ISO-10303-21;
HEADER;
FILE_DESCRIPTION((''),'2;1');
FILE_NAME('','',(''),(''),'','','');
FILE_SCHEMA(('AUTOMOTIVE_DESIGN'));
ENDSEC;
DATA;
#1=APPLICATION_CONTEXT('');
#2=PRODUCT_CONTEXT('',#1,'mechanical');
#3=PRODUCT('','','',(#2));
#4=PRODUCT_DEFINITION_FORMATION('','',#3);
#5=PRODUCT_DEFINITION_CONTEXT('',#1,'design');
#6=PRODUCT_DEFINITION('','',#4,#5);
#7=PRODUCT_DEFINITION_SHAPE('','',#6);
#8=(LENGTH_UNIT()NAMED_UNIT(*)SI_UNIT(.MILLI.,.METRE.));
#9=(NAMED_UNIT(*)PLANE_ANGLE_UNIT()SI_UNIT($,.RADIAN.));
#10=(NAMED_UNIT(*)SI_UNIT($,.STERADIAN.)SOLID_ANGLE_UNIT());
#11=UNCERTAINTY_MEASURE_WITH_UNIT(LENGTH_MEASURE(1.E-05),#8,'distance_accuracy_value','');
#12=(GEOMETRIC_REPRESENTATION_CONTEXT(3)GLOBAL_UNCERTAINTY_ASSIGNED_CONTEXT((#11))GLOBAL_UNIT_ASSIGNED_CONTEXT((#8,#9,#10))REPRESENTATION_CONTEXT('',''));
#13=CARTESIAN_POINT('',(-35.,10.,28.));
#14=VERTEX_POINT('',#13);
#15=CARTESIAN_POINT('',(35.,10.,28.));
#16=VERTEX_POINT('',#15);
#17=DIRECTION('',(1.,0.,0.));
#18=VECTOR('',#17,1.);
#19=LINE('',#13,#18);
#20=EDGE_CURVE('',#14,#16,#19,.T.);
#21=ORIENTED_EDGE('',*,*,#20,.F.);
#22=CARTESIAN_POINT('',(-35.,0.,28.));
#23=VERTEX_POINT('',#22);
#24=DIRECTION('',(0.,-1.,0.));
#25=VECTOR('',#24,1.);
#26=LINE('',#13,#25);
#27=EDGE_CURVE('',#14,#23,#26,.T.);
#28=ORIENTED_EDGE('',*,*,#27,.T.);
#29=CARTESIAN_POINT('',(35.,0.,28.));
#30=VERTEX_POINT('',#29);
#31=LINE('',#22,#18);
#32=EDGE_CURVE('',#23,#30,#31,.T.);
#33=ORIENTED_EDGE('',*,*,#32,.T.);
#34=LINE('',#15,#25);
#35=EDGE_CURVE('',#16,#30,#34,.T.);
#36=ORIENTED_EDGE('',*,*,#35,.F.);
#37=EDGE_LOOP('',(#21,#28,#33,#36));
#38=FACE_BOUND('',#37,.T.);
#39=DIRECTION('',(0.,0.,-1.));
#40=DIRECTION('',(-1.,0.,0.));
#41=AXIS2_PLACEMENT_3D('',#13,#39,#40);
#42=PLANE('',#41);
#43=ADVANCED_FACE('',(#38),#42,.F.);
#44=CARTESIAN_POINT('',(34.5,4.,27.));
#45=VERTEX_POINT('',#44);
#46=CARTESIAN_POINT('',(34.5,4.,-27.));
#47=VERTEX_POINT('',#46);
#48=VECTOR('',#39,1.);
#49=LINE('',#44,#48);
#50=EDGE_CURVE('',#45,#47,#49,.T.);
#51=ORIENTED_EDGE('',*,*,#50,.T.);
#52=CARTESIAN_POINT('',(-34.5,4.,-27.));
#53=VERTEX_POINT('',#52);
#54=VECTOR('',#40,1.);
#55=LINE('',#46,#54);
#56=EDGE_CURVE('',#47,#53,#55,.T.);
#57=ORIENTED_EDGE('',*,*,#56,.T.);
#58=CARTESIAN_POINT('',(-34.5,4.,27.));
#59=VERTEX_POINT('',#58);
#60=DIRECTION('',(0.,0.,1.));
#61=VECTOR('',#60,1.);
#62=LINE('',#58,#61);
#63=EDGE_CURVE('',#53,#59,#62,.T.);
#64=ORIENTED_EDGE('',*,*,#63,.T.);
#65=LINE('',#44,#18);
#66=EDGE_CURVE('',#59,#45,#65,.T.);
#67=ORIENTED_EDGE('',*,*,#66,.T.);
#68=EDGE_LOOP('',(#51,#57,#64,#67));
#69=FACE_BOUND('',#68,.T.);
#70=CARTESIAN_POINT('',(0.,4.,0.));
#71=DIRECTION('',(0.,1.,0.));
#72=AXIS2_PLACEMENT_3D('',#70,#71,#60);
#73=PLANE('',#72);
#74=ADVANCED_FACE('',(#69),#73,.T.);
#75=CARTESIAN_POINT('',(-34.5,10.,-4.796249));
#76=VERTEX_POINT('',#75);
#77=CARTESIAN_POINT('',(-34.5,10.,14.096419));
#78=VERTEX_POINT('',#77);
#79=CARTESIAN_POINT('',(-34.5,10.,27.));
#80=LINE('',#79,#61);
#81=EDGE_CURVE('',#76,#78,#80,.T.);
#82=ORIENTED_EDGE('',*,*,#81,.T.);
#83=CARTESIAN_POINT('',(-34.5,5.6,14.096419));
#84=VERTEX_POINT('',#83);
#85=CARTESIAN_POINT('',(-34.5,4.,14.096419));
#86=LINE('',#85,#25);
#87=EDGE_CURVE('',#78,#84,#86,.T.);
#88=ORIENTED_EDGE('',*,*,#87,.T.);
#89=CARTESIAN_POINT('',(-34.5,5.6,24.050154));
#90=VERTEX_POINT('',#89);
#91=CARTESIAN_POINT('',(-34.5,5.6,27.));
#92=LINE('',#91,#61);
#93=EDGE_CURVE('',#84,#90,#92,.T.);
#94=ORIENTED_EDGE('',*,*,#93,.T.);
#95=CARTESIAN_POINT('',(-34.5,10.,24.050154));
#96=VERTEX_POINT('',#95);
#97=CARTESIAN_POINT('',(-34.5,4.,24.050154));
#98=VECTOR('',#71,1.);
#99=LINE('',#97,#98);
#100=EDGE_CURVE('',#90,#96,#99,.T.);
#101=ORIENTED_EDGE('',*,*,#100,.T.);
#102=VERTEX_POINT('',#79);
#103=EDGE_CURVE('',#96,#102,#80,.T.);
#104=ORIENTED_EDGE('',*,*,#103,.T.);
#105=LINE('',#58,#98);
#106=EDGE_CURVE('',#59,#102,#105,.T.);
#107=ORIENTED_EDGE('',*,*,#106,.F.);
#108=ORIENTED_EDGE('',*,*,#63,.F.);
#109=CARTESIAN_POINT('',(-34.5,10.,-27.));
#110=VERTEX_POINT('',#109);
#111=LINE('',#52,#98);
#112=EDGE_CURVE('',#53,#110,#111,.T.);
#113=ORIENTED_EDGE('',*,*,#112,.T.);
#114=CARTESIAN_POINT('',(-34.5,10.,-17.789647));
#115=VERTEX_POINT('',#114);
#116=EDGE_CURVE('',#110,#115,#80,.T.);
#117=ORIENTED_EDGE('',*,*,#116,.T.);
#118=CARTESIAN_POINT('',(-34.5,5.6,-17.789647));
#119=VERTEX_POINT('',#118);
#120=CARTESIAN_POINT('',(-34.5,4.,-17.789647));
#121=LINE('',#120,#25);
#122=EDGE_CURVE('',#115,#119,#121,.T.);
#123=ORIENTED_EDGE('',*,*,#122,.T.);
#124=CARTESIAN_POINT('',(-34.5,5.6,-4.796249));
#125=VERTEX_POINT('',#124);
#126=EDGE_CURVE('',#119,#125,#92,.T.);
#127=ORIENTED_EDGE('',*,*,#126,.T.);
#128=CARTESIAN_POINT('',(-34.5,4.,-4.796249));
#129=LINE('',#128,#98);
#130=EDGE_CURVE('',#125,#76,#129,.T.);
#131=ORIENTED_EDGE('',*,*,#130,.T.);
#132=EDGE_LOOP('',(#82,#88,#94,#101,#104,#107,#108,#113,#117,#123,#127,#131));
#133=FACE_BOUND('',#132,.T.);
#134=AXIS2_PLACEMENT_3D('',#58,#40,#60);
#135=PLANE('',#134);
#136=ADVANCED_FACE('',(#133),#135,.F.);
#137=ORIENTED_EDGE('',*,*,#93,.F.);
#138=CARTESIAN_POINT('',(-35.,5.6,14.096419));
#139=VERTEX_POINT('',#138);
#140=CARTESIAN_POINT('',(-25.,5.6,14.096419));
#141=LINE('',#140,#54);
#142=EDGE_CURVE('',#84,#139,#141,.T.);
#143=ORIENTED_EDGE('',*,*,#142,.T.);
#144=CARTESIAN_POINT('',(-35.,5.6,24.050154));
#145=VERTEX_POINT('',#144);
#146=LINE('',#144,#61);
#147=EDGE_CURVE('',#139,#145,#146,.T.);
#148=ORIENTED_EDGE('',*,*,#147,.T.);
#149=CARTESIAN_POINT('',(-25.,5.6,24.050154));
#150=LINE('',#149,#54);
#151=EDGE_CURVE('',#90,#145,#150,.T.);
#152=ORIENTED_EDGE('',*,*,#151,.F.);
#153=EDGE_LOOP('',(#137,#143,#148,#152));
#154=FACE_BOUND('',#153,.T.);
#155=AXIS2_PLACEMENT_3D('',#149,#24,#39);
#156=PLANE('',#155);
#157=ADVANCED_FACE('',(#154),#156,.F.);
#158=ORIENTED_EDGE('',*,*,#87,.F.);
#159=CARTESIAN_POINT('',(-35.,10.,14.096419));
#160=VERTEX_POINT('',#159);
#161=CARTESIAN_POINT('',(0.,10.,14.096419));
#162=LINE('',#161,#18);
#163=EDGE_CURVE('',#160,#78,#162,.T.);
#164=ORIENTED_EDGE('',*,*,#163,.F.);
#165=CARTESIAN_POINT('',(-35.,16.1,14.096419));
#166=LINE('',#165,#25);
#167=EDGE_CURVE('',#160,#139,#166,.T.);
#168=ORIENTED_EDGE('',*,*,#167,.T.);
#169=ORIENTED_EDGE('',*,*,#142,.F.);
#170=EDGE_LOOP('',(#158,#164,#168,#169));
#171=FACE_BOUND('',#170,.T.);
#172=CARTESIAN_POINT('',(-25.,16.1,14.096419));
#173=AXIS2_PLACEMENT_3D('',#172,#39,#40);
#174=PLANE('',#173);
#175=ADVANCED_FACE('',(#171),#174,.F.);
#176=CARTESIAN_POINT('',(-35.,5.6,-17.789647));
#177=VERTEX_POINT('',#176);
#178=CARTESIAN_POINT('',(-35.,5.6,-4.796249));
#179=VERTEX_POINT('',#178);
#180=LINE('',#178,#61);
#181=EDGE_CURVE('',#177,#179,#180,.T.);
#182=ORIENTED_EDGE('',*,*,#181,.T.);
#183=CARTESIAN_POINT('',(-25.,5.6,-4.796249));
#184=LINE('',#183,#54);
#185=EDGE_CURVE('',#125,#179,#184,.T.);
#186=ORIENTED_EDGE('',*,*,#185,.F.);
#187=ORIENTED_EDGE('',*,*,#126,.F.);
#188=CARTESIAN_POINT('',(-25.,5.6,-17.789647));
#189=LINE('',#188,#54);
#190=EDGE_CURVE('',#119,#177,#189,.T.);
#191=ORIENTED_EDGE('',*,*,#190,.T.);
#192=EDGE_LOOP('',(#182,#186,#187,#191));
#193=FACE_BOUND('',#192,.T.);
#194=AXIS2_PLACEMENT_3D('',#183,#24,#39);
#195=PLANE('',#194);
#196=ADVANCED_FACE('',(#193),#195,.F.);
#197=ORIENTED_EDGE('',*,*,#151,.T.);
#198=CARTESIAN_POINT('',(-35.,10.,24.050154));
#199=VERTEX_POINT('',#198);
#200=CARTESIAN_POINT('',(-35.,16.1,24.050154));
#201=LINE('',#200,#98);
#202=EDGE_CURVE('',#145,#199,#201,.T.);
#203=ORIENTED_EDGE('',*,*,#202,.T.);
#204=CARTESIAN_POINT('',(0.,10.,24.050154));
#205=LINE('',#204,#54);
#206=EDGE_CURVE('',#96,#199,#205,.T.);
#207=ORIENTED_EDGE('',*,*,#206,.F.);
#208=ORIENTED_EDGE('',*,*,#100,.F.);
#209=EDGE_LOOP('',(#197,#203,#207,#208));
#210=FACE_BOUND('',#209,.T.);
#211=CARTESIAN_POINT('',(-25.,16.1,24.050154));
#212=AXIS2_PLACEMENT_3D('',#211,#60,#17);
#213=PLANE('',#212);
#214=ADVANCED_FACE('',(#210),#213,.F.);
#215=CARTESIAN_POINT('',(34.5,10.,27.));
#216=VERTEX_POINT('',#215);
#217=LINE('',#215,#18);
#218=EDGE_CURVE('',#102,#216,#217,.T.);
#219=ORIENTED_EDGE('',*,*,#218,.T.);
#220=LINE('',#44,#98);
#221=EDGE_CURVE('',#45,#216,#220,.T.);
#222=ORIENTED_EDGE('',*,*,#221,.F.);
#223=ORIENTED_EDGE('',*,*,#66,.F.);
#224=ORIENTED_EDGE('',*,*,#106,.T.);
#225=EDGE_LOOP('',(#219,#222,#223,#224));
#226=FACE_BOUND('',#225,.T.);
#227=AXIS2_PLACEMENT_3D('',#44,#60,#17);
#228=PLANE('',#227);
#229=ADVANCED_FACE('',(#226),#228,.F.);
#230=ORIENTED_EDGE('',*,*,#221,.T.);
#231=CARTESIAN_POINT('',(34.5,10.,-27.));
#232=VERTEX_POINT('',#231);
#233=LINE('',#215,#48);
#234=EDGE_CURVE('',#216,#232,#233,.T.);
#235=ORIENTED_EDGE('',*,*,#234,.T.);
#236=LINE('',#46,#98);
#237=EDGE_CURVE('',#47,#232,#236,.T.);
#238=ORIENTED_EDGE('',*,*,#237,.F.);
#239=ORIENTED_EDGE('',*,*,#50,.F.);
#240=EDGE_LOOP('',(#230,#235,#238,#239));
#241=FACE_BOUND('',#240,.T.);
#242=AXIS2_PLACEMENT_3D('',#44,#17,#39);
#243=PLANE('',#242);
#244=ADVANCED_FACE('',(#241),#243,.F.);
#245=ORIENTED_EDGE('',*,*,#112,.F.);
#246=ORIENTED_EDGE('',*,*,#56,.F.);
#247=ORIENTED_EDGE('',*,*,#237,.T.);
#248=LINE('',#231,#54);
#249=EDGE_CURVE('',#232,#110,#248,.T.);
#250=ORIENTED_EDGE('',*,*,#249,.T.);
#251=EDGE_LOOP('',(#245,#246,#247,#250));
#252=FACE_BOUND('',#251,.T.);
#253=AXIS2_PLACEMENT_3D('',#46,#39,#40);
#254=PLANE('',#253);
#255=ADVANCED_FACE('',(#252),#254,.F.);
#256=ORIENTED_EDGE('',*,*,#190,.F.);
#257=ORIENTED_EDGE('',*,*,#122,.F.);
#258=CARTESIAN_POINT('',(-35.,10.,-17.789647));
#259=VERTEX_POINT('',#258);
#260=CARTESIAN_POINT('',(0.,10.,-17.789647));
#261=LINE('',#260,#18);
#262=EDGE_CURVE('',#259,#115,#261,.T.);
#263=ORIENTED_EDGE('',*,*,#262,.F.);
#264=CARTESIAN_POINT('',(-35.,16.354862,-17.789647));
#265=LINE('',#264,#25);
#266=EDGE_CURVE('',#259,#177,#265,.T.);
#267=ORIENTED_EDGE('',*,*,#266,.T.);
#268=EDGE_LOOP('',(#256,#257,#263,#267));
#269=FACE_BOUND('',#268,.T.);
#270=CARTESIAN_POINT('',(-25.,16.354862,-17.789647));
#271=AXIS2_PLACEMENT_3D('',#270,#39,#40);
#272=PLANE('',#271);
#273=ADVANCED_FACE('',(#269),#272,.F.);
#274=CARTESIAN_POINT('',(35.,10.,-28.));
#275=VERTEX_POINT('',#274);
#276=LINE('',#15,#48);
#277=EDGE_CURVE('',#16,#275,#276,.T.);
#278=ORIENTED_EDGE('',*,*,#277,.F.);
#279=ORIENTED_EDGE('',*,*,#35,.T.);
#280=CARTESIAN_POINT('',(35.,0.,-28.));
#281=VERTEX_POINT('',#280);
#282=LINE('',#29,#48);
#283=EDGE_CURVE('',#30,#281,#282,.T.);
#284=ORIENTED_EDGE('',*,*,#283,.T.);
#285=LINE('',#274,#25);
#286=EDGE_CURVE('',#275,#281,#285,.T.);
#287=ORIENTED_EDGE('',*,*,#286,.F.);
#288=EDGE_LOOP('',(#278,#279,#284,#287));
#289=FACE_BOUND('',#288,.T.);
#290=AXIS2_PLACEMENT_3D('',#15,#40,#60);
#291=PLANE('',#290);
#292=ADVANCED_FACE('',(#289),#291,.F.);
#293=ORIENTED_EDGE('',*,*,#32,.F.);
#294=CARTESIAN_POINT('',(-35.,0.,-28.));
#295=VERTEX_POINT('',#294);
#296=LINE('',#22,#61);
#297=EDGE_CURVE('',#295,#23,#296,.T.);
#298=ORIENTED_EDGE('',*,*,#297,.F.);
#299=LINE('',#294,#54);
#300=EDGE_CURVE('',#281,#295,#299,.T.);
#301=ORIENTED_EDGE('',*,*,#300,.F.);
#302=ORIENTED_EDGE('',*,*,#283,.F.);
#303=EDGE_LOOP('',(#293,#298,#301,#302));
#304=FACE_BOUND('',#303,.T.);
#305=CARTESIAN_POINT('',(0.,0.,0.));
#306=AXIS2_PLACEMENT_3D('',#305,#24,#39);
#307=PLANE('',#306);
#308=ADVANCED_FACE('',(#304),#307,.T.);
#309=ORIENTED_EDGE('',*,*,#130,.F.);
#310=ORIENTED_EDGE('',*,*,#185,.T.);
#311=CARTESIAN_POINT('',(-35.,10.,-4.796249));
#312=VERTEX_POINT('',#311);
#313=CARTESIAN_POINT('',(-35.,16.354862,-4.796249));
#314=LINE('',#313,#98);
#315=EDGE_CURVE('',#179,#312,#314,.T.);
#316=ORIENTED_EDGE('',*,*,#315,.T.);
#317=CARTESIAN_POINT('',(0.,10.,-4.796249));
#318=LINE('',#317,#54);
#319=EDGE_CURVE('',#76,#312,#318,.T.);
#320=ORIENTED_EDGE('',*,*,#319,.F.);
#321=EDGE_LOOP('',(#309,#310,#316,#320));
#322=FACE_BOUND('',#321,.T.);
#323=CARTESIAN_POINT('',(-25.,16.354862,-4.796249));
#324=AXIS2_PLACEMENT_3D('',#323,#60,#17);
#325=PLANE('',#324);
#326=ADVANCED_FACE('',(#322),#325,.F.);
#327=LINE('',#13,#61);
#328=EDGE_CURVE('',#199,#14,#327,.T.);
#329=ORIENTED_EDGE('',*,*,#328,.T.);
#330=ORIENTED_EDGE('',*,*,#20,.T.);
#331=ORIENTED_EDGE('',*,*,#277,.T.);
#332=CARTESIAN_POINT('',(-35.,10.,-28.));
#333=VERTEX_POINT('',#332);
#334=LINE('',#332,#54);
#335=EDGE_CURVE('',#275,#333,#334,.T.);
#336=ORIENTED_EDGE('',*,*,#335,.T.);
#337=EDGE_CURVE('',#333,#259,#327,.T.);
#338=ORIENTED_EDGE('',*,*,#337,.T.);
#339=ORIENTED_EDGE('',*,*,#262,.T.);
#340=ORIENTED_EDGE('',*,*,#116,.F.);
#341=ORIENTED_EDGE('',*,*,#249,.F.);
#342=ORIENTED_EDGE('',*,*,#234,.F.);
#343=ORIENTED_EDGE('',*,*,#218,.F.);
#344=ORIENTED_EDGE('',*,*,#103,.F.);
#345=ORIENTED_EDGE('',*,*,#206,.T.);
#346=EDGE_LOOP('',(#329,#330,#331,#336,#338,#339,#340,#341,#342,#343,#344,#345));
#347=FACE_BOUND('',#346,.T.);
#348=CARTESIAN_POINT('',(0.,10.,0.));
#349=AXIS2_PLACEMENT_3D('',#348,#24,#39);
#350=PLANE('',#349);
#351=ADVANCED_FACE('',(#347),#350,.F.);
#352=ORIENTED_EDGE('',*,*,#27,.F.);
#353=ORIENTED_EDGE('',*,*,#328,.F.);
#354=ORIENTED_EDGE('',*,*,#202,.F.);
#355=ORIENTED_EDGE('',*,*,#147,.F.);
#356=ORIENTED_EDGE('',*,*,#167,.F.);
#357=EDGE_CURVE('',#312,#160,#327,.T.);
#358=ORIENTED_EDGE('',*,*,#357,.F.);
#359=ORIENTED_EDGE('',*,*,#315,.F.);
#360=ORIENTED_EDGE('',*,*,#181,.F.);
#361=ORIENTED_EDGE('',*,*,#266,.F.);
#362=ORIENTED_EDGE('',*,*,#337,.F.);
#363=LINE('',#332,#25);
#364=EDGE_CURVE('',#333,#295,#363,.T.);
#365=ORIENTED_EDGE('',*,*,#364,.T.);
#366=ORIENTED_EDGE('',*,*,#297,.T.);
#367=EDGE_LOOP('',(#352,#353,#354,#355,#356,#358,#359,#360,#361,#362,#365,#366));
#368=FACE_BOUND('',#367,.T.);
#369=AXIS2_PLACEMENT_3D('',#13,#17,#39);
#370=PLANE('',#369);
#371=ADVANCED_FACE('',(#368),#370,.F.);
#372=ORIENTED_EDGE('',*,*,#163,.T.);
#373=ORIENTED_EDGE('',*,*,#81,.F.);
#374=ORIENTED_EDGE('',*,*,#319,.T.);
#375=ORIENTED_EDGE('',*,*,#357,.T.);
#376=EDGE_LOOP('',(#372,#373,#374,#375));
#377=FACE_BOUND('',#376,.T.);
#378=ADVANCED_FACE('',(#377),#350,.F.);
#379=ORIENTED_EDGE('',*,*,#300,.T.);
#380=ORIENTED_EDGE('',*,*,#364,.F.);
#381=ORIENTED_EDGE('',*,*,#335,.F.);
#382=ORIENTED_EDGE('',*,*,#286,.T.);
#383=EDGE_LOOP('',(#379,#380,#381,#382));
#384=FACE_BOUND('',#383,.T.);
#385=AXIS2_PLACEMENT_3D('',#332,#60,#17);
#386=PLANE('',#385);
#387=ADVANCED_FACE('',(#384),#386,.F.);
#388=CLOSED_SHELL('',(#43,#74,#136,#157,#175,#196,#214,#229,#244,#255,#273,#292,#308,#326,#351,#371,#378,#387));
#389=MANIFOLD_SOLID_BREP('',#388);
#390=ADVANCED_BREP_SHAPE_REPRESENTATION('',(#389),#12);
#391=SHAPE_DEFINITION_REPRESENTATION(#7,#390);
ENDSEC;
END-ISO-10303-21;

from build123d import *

# Parameters (mm, degrees)
SKETCH1_W           = 70
SKETCH1_H           = 56
BOSS_EXTRUDE1_DEPTH = 10
SKETCH2_W           = 69
SKETCH2_H           = 54
CUT_EXTRUDE1_DEPTH  = 6
SKETCH3_W           = 12.993398332
SKETCH3_H           = 10.754862036
SKETCH3_W_2         = 9.953735061
SKETCH3_H_2         = 10.5
CUT_EXTRUDE2_DEPTH  = 10


with BuildPart() as part:
    # Sketch1 → Boss-Extrude1 (new body)
    with BuildSketch(Plane(origin=(0, 0, 0), x_dir=(1, 0, 0), z_dir=(0, 1, 0))):
        Rectangle(SKETCH1_W, SKETCH1_H)
    extrude(amount=BOSS_EXTRUDE1_DEPTH)

    # Sketch2 → Cut-Extrude1 (cut)
    with BuildSketch(Plane(origin=(0, 10, 0), x_dir=(1, 0, 0), z_dir=(0, 1, 0))):
        Rectangle(SKETCH2_W, SKETCH2_H)
    extrude(amount=-CUT_EXTRUDE1_DEPTH, mode=Mode.SUBTRACT)

    # Sketch3 → Cut-Extrude2 (cut)
    with BuildSketch(Plane.ZY.offset(35)):
        with Locations((-11.292948147, 10.977431018)):
            Rectangle(SKETCH3_W, SKETCH3_H)
        with Locations((19.073286927, 10.85)):
            Rectangle(SKETCH3_W_2, SKETCH3_H_2)
    extrude(amount=-CUT_EXTRUDE2_DEPTH, mode=Mode.SUBTRACT)


solid = part.part
